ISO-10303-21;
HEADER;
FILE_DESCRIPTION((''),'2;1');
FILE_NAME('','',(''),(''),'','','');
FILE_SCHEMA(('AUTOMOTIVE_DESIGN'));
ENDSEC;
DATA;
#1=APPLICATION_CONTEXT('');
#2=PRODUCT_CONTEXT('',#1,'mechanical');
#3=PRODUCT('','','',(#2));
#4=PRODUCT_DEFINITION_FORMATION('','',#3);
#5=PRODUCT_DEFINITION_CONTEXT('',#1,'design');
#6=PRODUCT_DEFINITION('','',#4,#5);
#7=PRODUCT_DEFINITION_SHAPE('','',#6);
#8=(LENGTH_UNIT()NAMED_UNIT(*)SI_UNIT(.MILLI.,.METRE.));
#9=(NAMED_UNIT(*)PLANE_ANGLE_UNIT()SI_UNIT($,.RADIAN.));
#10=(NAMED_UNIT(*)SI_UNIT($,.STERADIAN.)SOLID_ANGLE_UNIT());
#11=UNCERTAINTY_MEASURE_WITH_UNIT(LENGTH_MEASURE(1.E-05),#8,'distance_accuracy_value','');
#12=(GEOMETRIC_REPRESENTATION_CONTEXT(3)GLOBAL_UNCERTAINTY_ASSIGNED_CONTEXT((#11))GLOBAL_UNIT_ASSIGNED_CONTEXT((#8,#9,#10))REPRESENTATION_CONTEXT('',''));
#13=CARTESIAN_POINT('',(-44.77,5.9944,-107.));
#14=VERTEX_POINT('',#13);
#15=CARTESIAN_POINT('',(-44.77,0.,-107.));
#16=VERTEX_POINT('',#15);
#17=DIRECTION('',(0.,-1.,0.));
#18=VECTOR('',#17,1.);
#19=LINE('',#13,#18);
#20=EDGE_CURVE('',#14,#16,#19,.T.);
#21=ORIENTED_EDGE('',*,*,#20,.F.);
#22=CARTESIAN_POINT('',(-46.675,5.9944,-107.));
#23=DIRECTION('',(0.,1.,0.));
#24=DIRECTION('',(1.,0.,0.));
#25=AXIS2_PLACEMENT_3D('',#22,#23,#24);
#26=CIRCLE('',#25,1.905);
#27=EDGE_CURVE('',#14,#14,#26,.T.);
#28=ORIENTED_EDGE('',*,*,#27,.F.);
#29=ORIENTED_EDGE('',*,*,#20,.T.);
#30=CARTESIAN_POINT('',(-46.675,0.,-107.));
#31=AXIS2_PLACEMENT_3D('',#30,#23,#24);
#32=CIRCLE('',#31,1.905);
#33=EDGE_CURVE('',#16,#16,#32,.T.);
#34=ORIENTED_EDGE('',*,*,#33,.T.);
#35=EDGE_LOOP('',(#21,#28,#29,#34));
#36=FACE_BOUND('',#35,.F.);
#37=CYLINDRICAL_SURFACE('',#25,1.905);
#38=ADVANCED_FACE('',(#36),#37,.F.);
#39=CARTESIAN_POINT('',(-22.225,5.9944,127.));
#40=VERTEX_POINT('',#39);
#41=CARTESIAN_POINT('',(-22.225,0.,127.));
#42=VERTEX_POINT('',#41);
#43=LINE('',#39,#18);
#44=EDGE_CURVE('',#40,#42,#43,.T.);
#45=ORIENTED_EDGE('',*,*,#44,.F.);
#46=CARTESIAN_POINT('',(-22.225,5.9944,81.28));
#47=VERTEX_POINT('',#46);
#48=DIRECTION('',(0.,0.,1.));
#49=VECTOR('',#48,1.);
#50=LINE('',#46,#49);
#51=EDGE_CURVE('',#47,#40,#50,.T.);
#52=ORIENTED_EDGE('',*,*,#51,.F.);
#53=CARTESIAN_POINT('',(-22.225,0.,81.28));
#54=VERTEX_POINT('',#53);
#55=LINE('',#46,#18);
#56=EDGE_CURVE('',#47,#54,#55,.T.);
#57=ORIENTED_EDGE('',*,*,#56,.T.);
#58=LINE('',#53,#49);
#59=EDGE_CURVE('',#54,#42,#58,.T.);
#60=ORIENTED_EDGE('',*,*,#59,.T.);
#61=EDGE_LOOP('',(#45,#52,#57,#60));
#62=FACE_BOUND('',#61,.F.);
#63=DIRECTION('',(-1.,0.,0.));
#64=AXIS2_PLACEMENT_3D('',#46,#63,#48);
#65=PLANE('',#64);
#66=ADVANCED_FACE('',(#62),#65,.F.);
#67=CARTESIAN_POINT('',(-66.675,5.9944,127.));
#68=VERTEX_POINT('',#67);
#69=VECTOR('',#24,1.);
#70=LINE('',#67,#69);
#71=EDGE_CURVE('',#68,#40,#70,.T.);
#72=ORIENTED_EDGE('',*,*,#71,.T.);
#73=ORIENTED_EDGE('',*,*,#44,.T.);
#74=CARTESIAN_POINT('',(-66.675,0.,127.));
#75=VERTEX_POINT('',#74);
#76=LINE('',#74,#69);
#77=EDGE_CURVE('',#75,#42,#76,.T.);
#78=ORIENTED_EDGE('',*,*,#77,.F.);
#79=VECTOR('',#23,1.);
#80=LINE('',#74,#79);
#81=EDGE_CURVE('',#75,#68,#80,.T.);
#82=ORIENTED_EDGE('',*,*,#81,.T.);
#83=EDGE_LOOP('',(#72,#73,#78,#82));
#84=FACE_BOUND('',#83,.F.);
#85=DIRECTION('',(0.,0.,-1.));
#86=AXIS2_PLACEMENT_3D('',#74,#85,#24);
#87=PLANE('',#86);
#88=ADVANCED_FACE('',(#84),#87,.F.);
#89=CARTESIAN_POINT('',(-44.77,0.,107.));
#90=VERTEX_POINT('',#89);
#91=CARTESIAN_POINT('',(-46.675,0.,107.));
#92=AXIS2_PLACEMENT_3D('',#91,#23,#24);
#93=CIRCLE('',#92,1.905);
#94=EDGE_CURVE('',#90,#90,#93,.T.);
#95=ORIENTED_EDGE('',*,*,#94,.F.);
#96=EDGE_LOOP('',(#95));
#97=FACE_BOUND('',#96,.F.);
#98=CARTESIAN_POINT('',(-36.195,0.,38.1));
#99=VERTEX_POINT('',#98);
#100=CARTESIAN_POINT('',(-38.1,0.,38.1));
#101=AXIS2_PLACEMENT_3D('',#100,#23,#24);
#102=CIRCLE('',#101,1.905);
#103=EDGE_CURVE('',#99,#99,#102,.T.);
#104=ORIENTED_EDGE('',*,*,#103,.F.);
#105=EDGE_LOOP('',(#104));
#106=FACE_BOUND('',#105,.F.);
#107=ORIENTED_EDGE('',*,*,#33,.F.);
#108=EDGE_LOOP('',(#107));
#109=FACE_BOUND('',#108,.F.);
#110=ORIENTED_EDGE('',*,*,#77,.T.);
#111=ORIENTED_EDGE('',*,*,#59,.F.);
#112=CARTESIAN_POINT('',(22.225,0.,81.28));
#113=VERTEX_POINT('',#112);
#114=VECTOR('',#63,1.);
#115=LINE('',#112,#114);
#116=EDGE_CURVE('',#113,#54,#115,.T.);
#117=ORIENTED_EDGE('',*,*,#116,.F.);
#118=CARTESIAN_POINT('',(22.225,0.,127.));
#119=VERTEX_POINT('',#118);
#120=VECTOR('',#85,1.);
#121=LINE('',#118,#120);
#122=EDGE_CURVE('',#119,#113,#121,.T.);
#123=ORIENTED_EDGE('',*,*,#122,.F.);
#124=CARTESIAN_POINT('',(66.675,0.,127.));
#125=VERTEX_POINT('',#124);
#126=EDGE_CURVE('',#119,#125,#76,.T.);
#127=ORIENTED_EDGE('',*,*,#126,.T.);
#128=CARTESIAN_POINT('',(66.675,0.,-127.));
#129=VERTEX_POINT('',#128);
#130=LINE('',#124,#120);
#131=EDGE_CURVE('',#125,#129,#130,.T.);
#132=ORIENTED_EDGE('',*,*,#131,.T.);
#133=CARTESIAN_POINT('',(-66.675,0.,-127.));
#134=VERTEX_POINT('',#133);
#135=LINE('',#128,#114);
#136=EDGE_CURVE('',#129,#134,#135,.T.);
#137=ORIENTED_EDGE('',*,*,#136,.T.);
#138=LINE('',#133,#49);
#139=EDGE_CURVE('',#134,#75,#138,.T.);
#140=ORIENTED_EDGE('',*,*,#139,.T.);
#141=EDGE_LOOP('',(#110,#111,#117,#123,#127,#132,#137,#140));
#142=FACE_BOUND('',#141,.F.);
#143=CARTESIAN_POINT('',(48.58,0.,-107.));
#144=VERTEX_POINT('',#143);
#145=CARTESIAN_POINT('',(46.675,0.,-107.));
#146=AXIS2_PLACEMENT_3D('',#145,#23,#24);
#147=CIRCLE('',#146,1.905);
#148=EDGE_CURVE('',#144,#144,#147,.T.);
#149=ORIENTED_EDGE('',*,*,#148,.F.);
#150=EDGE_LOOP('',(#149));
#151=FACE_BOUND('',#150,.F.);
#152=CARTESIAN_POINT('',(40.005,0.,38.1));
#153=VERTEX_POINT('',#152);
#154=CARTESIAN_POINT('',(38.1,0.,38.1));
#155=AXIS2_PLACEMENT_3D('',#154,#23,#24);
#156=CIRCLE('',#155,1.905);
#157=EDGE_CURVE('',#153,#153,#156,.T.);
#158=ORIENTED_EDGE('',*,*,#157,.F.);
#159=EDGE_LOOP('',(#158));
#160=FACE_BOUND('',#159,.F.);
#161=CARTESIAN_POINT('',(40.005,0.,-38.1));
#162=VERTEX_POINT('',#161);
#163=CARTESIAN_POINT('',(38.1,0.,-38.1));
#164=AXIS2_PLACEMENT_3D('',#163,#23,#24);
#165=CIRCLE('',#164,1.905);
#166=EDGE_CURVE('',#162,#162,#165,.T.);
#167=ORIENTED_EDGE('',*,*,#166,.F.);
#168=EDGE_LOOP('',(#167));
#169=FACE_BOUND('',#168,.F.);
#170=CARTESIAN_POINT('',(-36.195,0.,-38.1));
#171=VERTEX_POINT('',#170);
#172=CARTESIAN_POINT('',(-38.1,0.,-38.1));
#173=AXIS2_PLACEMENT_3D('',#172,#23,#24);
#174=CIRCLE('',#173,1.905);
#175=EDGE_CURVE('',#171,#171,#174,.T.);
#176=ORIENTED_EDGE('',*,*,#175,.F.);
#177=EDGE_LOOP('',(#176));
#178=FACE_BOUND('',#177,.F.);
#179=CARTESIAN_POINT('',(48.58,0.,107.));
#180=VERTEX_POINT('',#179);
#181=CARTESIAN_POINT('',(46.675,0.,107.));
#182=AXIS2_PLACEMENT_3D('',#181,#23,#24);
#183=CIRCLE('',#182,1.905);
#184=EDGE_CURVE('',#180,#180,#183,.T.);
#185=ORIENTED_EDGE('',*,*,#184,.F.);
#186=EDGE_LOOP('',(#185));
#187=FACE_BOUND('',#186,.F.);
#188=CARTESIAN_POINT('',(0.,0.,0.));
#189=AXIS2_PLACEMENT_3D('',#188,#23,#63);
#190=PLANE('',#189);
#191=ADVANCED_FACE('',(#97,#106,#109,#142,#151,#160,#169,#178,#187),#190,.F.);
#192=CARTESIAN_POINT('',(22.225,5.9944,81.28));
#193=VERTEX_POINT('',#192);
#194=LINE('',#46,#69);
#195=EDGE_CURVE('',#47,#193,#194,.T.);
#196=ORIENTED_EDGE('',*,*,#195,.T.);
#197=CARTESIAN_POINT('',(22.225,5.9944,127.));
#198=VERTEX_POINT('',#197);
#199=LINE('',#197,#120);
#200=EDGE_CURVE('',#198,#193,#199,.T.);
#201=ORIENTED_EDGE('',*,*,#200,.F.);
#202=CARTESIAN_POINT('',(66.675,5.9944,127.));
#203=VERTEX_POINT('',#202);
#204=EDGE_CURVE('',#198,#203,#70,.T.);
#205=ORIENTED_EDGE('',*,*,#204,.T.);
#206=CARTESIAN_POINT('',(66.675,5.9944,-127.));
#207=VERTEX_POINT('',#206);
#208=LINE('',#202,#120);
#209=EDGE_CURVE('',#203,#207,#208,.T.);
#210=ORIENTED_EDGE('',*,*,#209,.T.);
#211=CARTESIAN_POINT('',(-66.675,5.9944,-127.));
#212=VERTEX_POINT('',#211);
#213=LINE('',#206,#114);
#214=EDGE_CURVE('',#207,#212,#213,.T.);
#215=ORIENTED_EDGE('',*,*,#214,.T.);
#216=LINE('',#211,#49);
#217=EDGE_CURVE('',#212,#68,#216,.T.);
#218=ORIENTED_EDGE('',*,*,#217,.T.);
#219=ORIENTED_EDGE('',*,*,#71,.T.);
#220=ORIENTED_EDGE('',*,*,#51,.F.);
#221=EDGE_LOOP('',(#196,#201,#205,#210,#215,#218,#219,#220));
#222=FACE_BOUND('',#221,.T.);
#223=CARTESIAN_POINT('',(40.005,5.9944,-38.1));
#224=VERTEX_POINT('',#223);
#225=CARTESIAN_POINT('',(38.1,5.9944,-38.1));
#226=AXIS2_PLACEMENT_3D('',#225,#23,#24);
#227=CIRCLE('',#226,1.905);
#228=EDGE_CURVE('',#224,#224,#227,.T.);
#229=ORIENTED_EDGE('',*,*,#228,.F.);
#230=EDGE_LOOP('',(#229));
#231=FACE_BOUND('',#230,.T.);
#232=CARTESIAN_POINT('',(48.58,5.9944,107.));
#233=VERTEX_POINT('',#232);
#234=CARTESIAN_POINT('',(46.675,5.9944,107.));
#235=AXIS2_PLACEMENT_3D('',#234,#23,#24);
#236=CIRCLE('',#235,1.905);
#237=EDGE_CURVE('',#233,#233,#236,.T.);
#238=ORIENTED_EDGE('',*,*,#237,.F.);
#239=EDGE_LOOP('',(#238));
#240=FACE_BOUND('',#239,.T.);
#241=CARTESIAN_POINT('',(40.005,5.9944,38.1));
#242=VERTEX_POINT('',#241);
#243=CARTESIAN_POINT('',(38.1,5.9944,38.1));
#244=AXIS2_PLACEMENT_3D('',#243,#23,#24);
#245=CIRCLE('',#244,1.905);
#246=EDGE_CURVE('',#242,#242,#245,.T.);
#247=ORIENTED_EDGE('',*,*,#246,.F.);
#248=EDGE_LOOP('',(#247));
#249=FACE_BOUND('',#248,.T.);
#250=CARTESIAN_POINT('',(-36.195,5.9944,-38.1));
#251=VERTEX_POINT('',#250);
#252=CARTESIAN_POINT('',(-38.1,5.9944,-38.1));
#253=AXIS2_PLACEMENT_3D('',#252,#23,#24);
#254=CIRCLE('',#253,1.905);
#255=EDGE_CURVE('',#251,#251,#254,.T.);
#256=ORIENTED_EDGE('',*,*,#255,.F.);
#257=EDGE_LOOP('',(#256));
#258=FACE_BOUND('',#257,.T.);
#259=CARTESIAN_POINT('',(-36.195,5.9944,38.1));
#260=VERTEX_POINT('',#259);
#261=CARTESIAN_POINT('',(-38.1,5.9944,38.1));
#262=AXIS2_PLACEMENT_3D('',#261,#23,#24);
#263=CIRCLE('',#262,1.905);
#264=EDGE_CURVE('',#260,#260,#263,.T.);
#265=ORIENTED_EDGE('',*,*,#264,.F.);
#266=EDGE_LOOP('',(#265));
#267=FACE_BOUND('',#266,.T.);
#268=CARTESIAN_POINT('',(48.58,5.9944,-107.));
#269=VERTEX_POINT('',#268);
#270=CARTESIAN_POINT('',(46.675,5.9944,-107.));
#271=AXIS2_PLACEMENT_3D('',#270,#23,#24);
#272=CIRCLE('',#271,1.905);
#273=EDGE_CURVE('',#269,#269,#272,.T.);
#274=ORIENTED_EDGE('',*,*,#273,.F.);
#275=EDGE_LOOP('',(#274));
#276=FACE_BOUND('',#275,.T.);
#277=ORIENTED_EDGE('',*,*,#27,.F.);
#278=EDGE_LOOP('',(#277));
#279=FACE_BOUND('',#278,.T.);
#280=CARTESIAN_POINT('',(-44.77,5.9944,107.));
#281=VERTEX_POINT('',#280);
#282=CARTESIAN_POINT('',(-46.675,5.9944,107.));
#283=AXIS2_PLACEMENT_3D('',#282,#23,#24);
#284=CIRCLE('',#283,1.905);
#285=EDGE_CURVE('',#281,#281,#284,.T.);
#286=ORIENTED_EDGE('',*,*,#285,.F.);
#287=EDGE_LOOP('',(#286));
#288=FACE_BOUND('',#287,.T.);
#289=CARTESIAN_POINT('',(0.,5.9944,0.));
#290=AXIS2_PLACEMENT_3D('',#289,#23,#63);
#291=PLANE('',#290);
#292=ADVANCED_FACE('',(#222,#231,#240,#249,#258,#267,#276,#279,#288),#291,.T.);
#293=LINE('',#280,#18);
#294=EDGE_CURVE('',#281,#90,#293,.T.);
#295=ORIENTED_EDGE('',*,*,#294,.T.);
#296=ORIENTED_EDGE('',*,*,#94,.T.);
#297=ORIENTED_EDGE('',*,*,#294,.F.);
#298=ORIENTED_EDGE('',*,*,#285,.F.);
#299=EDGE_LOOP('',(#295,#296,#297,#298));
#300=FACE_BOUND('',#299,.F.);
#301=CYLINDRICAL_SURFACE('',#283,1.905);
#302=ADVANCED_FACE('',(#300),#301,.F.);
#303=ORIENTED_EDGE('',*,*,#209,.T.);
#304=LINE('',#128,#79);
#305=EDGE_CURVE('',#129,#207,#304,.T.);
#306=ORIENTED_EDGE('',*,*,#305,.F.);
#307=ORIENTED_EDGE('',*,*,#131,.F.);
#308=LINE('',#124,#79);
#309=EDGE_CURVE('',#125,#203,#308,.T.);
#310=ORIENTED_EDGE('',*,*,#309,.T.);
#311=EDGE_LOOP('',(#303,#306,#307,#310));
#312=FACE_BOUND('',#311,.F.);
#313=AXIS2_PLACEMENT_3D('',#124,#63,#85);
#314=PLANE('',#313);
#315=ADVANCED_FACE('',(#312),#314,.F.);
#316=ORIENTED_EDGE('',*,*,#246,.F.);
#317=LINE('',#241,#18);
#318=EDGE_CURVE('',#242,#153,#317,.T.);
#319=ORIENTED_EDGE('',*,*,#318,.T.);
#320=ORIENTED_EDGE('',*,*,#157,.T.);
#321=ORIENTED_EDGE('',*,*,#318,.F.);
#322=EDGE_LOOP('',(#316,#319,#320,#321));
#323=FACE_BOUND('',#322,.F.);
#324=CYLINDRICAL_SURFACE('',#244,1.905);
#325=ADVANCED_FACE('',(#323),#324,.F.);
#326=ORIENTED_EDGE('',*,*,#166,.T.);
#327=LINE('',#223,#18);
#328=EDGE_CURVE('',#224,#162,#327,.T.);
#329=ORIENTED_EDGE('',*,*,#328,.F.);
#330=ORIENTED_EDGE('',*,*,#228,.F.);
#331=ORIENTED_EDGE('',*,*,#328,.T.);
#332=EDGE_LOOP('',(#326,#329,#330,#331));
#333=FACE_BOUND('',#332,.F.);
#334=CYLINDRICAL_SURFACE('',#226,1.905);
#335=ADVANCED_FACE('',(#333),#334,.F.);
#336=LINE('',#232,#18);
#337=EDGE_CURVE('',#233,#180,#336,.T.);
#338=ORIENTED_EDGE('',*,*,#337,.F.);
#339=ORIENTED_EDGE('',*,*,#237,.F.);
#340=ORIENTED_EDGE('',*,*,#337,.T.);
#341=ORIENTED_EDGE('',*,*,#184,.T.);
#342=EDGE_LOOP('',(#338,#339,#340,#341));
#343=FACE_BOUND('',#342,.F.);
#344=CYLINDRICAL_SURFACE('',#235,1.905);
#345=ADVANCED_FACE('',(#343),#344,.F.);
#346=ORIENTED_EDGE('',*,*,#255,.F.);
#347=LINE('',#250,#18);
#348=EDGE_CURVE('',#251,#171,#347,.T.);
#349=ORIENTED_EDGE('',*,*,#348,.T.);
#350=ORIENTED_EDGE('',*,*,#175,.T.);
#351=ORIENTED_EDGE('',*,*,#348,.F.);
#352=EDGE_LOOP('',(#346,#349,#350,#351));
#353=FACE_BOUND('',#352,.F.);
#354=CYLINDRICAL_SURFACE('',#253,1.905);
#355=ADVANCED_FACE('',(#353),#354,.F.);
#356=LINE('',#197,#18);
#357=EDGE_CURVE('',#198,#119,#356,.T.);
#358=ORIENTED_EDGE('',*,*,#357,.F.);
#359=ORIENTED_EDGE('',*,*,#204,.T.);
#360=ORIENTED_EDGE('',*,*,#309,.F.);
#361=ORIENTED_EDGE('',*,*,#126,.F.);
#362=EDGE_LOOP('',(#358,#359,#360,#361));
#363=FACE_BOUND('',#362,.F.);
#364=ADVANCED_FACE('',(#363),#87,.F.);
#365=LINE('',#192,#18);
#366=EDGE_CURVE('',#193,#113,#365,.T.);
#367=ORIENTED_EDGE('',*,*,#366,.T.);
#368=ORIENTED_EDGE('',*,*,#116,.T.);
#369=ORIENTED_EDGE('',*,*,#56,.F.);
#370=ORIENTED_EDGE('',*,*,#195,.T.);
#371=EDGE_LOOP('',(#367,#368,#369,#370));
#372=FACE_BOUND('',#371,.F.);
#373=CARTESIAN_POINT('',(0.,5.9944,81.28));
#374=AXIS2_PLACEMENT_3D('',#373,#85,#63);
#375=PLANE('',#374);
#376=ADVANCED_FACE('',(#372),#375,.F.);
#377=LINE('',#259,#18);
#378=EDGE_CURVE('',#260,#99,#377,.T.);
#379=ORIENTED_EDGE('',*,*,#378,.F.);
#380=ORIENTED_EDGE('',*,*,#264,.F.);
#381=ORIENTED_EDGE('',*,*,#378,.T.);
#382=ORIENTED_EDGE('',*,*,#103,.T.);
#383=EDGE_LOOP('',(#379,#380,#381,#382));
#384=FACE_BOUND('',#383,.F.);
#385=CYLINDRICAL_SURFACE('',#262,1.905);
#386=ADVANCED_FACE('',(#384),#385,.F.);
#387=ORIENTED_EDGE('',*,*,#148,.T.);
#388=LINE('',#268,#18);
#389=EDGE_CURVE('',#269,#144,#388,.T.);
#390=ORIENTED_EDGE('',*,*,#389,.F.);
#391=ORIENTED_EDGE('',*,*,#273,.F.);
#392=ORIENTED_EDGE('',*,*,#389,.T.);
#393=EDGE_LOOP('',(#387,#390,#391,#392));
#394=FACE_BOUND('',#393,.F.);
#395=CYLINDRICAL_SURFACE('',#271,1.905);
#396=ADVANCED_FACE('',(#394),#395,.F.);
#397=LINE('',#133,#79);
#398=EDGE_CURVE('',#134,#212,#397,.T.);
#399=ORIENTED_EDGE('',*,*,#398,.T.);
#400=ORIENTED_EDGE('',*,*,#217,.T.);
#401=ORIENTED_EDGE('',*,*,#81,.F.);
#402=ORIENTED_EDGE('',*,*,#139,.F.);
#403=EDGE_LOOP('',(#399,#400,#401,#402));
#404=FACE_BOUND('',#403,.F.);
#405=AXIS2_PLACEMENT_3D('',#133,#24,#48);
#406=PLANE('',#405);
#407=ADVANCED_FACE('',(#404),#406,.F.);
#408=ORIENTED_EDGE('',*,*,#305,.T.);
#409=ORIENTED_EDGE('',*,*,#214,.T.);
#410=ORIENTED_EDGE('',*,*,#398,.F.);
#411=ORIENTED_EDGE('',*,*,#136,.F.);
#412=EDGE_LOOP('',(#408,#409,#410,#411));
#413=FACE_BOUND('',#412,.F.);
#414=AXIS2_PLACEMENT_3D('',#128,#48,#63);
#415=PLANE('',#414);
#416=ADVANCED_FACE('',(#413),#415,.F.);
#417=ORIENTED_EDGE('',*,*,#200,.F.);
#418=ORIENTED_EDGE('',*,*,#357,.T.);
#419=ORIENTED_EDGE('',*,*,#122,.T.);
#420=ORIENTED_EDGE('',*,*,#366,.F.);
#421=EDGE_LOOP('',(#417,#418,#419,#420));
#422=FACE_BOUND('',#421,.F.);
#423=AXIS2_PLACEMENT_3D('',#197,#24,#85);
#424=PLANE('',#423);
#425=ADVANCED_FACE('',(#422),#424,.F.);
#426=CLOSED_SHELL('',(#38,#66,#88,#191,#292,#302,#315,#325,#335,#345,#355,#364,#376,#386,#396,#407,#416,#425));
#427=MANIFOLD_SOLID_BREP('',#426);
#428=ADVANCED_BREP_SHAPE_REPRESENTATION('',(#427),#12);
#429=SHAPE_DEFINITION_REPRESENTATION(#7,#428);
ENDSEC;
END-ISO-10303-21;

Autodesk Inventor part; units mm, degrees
ref_plane "YZ Plane" through (0, 0, 0) normal (1, 0, 0) x (0, 1, 0)
ref_plane "XZ Plane" through (0, 0, 0) normal (0, 1, 0) x (-1, 0, 0)
ref_plane "XY Plane" through (0, 0, 0) normal (0, 0, 1) x (1, 0, 0)
sketch "Sketch1" plane through (0, 0, 0) normal (0, 1, 0) x (-1, 0, 0)
  line L0 (66.675, 127) -> (-66.675, 127)
  line L1 (-66.675, 127) -> (-66.675, -127)
  line L2 (-66.675, -127) -> (66.675, -127)
  line L3 (66.675, -127) -> (66.675, 127)
  point P0 (0, 0)
  dimension "d0" = 66.675
  dimension "d1" = 133.35
  dimension "d2" = 254
  dimension "d3" = 127
extrude "Extrusion1" add sketch "Sketch1" along normal blind 5.9944
sketch "Sketch2" plane through (0, 5.9944, 0) normal (0, 1, 0) x (1, 0, 0)
  line L0 (-66.675, -127) -> (-66.675, 127) projected
  line L1 (-66.675, 127) -> (66.675, 127) projected
  line L2 (66.675, 127) -> (66.675, -127) projected
  line L3 (66.675, -127) -> (-66.675, -127) projected
  circle A0 centre (-46.675, -107) radius 1.905
  line L4 (-66.675, -127) -> (66.675, -127) projected
  line L5 (0, -127) -> (0, 127)
  line L6 (-66.675, 0) -> (66.675, 0)
  circle A1 centre (-46.675, 107) radius 1.905
  circle A2 centre (46.675, -107) radius 1.905
  circle A3 centre (46.675, 107) radius 1.905
  point P0 (0, 0)
  dimension "d6" = 20
  dimension "d7" = 20
  dimension "d8" = 3.81
extrude "Extrusion2" cut sketch "Sketch2" against normal blind 5.9944 contours A0 | A1 | A2 | A3
sketch "Sketch3" plane through (0, 5.9944, 0) normal (0, 1, 0) x (1, 0, 0)
  circle A0 centre (-46.675, -107) radius 1.905 projected
  circle A1 centre (46.675, -107) radius 1.905 projected
  circle A2 centre (46.675, 107) radius 1.905 projected
  circle A3 centre (-46.675, 107) radius 1.905 projected
  line L0 (-66.675, -127) -> (-66.675, 127) projected
  line L1 (-66.675, 127) -> (66.675, 127) projected
  line L2 (66.675, 127) -> (66.675, -127) projected
  line L3 (66.675, -127) -> (-66.675, -127) projected
  line L4 (-66.675, 0) -> (66.675, 0)
  line L5 (66.675, 127) -> (-66.675, 127) projected
  line L6 (0, 127) -> (0, -127)
  line L7 (-66.675, -127) -> (66.675, -127) projected
  circle A4 centre (-38.1, -38.1) radius 1.905
  circle A5 centre (-38.1, 38.1) radius 1.905
  circle A6 centre (38.1, -38.1) radius 1.905
  circle A7 centre (38.1, 38.1) radius 1.905
  point P0 (0, 0)
  dimension "d11" = 3.81
  dimension "d12" = 38.1
  dimension "d13" = 38.1
extrude "Extrusion3" cut sketch "Sketch3" against normal blind 5.9944 contours A4 | A5 | A6 | A7
sketch "Sketch4" plane through (0, 5.9944, 0) normal (0, 1, 0) x (1, 0, 0)
  circle A0 centre (-38.1, 38.1) radius 1.905 projected
  circle A1 centre (38.1, -38.1) radius 1.905 projected
  circle A2 centre (38.1, 38.1) radius 1.905 projected
  circle A3 centre (-38.1, -38.1) radius 1.905 projected
  circle A4 centre (-46.675, -107) radius 1.905 projected
  circle A5 centre (46.675, -107) radius 1.905 projected
  circle A6 centre (46.675, 107) radius 1.905 projected
  circle A7 centre (-46.675, 107) radius 1.905 projected
  line L0 (-66.675, -127) -> (-66.675, 127) projected
  line L1 (-66.675, 127) -> (66.675, 127) projected
  line L2 (66.675, 127) -> (66.675, -127) projected
  line L3 (66.675, -127) -> (-66.675, -127) projected
  line L4 (-22.225, -127) -> (22.225, -127)
  line L5 (22.225, -127) -> (22.225, -81.28)
  line L6 (22.225, -81.28) -> (-22.225, -81.28)
  line L7 (-22.225, -81.28) -> (-22.225, -127)
  line L8 (0, -127) -> (0, 0)
  dimension "d16" = 22.225
  dimension "d17" = 22.225
  dimension "d18" = 45.72
extrude "Extrusion4" cut sketch "Sketch4" against normal blind 5.9944 contours L7 L6 L8 L3 | L8 L6 L5 L3
properties part number "TopBase"
